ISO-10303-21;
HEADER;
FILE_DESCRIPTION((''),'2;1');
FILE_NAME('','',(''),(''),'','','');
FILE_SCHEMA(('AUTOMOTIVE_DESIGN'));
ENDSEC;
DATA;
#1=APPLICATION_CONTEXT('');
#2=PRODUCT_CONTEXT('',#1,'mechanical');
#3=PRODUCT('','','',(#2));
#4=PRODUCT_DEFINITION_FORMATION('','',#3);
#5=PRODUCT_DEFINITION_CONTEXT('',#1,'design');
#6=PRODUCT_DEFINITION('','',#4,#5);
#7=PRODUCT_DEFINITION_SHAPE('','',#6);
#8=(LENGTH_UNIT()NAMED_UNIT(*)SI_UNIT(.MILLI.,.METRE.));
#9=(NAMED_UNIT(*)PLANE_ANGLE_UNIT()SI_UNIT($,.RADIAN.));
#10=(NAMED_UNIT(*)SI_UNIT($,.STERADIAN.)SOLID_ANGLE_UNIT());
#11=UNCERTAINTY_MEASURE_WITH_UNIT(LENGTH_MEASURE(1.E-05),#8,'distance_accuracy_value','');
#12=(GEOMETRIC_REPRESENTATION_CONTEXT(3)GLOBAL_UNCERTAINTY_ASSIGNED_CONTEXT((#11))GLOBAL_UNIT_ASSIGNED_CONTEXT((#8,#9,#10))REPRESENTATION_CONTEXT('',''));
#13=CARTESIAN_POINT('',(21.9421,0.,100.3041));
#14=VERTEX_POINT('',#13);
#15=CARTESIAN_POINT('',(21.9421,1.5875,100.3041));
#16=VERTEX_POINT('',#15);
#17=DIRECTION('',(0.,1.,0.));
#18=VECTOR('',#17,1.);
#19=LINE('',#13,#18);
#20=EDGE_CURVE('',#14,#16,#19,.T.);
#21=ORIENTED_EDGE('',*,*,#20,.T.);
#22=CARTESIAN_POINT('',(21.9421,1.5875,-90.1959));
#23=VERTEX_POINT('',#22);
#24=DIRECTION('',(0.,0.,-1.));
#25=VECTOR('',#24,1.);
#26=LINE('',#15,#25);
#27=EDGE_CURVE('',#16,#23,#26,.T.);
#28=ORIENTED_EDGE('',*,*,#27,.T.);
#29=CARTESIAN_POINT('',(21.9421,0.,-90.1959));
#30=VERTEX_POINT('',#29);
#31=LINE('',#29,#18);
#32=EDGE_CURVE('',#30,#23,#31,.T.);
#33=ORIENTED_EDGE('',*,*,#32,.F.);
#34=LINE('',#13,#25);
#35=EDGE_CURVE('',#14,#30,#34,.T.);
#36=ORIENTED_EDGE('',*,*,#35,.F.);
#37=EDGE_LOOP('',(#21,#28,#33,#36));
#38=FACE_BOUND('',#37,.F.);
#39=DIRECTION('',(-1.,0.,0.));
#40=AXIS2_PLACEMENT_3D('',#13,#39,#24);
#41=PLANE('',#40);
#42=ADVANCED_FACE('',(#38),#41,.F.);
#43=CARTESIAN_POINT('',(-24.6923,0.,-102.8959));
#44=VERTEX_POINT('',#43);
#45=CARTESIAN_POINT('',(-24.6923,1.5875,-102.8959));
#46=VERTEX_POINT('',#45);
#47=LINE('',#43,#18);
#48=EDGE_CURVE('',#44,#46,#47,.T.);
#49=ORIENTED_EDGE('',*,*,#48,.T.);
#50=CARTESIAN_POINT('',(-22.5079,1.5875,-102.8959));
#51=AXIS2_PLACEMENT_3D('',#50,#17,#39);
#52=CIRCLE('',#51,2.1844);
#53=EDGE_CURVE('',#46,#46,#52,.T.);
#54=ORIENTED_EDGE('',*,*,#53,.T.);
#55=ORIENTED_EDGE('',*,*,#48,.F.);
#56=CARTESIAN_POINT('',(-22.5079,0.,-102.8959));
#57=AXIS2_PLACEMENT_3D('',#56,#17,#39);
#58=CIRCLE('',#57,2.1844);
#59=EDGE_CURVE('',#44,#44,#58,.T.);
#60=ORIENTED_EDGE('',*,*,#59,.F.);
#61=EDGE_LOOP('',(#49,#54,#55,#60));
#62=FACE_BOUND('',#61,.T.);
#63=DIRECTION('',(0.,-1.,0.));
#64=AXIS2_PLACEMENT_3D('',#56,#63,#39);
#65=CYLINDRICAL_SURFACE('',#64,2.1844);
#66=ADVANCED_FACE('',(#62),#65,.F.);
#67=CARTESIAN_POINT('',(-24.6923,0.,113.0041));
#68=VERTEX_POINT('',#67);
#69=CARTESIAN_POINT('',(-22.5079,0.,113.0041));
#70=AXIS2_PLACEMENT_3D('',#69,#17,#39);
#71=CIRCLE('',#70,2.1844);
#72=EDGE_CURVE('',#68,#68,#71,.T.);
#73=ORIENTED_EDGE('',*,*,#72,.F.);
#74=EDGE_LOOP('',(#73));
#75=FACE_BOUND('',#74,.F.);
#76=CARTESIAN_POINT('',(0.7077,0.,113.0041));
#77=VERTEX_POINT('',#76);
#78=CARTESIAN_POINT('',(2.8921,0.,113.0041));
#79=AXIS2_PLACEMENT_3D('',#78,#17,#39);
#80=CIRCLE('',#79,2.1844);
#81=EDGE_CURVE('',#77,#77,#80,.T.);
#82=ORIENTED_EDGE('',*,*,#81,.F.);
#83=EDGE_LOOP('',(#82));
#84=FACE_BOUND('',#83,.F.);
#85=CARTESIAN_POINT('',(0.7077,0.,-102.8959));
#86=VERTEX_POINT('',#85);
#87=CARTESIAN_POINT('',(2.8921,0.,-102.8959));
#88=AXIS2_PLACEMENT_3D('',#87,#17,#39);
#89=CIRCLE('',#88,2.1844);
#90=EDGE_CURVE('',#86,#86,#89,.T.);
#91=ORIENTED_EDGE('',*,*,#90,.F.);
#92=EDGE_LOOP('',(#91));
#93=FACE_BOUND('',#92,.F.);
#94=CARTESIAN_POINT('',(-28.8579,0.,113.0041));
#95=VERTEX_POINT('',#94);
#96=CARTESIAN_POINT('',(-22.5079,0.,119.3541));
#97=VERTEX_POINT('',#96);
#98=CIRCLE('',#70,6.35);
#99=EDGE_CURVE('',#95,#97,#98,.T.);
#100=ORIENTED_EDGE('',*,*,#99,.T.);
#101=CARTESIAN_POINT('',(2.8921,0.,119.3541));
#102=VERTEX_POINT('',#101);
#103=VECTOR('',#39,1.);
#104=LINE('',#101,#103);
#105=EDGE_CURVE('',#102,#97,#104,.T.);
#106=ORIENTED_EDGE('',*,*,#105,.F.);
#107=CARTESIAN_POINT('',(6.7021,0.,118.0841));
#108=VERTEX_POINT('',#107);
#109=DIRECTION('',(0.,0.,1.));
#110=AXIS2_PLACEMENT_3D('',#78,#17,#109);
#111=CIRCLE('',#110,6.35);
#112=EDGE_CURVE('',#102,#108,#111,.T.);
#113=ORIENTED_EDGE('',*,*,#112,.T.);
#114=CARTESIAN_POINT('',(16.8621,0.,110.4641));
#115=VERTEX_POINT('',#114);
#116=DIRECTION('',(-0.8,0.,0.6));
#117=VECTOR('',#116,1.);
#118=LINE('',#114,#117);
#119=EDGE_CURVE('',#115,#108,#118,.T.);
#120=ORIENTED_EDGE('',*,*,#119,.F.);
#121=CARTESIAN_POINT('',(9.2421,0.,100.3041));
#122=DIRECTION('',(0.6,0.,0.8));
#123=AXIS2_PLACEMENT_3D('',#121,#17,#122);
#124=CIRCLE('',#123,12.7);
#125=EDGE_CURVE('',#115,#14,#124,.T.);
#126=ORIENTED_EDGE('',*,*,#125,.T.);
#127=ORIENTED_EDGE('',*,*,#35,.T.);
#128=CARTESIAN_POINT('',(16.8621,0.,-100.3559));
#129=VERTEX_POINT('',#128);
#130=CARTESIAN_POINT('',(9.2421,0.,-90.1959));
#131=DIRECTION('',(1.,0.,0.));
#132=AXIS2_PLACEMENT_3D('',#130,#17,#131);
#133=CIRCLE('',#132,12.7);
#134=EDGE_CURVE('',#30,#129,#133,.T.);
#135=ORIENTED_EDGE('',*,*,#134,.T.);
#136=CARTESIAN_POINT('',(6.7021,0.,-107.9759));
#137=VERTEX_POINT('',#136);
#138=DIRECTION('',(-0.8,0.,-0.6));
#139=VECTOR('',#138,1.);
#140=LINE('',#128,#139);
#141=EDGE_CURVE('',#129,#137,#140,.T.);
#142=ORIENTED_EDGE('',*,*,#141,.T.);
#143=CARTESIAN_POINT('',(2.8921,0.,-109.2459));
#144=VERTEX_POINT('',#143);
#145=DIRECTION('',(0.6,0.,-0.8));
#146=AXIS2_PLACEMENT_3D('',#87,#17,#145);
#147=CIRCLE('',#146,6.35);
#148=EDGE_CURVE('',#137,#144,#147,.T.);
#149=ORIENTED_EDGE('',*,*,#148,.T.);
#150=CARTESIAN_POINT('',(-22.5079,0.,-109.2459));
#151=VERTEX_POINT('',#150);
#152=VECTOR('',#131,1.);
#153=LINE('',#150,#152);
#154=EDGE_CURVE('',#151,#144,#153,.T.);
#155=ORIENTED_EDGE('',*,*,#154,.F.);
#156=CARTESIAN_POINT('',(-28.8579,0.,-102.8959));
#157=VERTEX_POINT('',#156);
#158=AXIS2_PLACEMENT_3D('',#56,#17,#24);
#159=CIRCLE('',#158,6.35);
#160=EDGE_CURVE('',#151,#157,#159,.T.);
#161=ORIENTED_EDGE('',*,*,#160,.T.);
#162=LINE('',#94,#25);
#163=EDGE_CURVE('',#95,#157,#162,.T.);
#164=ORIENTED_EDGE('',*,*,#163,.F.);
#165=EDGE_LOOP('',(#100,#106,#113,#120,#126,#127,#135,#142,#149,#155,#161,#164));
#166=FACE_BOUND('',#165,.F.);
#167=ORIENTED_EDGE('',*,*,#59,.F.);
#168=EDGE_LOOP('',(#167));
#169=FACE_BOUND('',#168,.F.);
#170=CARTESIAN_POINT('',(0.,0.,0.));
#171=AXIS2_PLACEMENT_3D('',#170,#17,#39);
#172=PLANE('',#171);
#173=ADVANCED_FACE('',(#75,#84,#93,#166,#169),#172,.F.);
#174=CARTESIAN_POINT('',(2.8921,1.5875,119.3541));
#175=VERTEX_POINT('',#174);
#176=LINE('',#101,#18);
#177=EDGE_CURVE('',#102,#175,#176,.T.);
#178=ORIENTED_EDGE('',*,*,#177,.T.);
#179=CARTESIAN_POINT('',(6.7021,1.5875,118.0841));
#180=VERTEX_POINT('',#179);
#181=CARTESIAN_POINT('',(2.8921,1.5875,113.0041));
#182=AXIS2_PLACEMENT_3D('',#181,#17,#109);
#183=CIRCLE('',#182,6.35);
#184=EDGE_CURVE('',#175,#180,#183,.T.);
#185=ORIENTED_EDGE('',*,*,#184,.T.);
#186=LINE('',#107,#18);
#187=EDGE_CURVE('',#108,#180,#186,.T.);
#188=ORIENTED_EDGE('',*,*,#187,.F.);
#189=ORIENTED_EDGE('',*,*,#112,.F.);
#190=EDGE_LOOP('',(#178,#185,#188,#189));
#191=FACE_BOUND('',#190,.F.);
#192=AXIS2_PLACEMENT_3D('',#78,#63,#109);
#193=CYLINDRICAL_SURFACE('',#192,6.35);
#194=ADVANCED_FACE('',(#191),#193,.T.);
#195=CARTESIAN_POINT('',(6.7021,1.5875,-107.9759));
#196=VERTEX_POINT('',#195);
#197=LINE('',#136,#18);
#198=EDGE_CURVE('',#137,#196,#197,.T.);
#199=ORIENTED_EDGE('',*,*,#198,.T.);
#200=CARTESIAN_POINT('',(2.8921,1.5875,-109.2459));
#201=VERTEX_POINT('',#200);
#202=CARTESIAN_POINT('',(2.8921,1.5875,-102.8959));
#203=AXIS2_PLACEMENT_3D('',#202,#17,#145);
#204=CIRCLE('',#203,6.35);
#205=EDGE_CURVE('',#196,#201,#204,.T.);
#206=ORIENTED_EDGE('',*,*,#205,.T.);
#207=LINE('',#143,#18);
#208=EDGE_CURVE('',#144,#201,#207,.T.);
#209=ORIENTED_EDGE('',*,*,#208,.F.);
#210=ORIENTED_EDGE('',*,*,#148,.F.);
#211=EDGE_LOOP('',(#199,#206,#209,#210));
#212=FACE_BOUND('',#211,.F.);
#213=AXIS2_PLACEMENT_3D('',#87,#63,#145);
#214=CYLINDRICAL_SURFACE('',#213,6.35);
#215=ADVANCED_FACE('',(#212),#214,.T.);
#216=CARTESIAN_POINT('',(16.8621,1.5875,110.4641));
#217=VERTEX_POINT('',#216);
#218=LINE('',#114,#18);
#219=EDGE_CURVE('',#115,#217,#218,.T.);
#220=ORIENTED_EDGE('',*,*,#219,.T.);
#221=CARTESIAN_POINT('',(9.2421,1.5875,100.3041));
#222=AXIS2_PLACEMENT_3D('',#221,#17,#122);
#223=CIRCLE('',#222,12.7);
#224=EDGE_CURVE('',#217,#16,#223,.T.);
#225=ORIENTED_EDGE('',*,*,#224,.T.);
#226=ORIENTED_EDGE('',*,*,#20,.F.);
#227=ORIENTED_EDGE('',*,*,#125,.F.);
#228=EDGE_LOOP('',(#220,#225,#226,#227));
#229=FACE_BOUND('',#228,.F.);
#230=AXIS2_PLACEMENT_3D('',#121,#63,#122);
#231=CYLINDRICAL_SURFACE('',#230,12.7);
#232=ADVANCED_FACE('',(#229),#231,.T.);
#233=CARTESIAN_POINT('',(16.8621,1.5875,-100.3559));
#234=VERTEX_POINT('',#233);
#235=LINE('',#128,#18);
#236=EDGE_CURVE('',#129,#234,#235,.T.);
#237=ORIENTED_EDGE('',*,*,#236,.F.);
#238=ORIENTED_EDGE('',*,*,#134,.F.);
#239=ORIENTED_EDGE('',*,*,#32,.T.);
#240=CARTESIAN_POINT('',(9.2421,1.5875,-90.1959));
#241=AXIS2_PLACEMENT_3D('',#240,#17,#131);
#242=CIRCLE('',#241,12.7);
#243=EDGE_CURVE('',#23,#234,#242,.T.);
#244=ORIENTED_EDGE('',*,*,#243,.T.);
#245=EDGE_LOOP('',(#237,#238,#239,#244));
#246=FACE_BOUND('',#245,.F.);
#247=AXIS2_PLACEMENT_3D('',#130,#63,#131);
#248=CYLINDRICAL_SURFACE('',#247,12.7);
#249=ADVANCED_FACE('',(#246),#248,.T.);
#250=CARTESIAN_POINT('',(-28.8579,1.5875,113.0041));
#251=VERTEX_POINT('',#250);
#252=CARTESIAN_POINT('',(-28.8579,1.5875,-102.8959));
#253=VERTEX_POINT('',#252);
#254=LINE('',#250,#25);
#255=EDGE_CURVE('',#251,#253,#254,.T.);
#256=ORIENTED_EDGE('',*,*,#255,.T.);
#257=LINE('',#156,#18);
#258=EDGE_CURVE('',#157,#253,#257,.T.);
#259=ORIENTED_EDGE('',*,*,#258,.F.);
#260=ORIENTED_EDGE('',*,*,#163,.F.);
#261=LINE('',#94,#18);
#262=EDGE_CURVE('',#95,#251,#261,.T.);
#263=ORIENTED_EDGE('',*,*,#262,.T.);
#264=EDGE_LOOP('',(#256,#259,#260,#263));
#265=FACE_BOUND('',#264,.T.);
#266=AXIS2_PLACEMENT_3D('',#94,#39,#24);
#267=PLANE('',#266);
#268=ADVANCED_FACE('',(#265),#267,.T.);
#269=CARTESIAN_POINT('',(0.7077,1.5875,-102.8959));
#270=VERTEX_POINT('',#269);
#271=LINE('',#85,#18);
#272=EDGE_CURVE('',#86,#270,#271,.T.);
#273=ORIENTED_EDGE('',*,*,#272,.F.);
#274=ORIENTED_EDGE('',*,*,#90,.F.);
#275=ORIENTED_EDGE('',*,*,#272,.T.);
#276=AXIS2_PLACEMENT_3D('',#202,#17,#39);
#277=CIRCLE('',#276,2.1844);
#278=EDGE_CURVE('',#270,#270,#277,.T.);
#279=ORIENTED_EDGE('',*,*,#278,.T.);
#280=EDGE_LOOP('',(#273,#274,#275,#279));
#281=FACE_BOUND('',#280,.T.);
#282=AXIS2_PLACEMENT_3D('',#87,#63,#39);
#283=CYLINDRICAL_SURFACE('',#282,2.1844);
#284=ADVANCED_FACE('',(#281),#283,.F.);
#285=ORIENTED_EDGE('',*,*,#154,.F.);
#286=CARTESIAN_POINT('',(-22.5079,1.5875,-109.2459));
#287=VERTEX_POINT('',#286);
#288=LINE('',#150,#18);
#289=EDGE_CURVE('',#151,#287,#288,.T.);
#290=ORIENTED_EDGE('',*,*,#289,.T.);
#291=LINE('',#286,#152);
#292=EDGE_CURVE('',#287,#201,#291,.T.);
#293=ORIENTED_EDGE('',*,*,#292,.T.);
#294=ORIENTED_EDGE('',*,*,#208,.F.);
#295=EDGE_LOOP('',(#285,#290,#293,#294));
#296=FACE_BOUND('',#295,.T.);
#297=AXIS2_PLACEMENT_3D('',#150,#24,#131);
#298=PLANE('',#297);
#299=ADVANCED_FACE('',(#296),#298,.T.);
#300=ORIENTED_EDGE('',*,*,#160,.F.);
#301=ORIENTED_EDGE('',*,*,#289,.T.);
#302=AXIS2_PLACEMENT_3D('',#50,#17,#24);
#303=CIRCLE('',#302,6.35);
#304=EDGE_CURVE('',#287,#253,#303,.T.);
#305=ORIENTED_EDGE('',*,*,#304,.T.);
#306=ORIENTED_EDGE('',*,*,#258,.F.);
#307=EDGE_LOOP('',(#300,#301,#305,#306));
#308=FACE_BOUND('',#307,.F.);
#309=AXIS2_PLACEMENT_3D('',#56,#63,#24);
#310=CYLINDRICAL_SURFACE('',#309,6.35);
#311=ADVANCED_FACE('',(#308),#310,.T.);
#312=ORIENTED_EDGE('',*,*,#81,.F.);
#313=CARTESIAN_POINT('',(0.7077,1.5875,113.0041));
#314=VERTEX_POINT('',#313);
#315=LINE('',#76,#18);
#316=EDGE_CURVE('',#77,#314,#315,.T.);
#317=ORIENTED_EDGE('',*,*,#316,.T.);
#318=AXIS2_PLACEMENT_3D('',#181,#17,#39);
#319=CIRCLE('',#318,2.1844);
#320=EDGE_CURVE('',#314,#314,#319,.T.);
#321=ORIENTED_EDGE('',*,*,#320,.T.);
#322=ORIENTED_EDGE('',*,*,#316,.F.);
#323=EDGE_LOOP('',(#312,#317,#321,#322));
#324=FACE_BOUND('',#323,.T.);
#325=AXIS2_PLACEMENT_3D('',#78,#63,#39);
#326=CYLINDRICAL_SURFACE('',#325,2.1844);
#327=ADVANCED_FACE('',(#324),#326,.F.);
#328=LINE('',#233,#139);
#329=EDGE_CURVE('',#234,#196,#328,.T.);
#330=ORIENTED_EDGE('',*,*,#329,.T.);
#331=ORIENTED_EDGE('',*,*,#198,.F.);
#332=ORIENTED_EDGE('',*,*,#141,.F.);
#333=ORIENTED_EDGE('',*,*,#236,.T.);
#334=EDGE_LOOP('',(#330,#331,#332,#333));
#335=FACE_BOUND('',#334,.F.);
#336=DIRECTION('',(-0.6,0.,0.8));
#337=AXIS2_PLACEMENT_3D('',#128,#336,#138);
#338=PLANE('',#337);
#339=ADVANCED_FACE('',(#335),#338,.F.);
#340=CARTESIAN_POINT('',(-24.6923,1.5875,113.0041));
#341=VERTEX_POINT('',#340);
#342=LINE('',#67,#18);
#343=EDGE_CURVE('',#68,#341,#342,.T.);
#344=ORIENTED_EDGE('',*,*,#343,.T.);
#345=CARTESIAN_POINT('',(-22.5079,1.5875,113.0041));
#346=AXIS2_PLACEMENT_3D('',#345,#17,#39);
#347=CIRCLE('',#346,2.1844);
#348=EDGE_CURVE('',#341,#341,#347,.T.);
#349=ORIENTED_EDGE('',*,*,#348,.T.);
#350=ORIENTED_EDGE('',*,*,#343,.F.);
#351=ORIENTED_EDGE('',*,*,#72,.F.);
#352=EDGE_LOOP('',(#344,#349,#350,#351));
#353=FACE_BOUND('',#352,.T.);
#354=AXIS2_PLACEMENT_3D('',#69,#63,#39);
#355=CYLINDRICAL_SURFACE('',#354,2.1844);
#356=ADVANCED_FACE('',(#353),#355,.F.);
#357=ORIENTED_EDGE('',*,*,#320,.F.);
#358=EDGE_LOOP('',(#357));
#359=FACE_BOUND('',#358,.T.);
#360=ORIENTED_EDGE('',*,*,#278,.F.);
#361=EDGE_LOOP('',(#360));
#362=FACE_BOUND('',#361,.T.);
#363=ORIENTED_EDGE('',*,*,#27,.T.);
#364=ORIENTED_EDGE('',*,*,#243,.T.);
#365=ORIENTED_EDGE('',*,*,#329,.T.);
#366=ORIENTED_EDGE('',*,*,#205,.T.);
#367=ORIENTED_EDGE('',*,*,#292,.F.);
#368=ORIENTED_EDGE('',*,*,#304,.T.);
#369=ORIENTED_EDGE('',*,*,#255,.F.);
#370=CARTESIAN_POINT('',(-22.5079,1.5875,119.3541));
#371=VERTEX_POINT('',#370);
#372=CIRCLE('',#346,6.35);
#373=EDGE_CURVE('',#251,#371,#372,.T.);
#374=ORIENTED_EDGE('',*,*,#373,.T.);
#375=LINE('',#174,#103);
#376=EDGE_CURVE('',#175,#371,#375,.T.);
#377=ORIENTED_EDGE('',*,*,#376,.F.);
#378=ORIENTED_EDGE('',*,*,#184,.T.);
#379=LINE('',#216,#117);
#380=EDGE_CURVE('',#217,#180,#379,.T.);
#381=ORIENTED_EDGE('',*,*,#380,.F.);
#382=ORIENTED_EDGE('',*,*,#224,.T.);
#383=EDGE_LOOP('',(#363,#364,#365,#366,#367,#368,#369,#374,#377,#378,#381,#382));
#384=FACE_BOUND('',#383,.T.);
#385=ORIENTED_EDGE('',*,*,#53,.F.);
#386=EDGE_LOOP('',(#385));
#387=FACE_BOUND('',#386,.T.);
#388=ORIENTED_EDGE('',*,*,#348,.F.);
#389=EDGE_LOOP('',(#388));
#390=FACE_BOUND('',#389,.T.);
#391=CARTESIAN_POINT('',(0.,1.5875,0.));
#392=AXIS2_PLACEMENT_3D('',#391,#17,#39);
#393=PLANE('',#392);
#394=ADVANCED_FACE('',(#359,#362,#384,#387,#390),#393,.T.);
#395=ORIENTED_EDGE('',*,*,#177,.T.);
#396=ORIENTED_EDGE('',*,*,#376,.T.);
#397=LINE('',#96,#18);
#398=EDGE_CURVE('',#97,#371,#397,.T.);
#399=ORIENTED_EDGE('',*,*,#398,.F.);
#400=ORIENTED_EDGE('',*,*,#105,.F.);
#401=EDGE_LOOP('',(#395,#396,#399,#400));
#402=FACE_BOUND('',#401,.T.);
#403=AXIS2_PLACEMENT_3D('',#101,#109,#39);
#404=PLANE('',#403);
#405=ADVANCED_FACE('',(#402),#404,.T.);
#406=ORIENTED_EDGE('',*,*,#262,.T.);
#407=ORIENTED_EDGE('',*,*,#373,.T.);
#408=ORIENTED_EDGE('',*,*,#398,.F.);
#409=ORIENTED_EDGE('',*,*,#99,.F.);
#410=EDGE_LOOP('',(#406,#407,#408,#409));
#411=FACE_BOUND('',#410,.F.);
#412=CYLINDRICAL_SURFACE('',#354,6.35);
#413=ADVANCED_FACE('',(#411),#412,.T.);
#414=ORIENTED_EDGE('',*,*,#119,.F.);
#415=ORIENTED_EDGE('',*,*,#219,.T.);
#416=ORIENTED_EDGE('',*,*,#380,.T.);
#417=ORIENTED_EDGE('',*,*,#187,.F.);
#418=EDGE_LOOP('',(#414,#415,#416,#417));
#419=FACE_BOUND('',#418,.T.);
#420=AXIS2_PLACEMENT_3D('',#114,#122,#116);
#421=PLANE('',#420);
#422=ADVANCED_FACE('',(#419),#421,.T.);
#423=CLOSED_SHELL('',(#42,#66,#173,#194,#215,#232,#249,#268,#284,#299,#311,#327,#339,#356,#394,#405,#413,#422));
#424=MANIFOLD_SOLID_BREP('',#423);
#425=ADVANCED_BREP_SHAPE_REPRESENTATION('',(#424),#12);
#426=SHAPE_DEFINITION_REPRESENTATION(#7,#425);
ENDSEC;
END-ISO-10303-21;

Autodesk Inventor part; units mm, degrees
ref_plane "YZ Plane" through (0, 0, 0) normal (1, 0, 0) x (0, 1, 0)
ref_plane "XZ Plane" through (0, 0, 0) normal (0, 1, 0) x (-1, 0, 0)
ref_plane "XY Plane" through (0, 0, 0) normal (0, 0, 1) x (1, 0, 0)
sketch "Sketch1" plane through (0, 0, 0) normal (0, 1, 0) x (-1, 0, 0)
  circle A0 centre (-2.8921, -102.8959) radius 2.1844
  circle A1 centre (22.5079, -102.8959) radius 2.1844
  circle A2 centre (-2.8921, 113.0041) radius 2.1844
  circle A3 centre (22.5079, 113.0041) radius 2.1844
  arc A4 (28.8579, 113.0041) -> (22.5079, 119.3541) centre (22.5079, 113.0041) ccw
  arc A5 (-2.8921, 119.3541) -> (-6.7021, 118.0841) centre (-2.8921, 113.0041) ccw
  arc A6 (-6.7021, -107.9759) -> (-2.8921, -109.2459) centre (-2.8921, -102.8959) ccw
  arc A7 (22.5079, -109.2459) -> (28.8579, -102.8959) centre (22.5079, -102.8959) ccw
  line L0 (-2.8921, 119.3541) -> (22.5079, 119.3541)
  line L1 (28.8579, 113.0041) -> (28.8579, -102.8959)
  line L2 (22.5079, -109.2459) -> (-2.8921, -109.2459)
  line L3 (-16.8621, 110.4641) -> (-6.7021, 118.0841)
  line L4 (-16.8621, -100.3559) -> (-6.7021, -107.9759)
  line L5 (-21.9421, 100.3041) -> (-21.9421, -90.1959)
  arc A8 (-16.8621, 110.4641) -> (-21.9421, 100.3041) centre (-9.2421, 100.3041) ccw
  arc A9 (-21.9421, -90.1959) -> (-16.8621, -100.3559) centre (-9.2421, -90.1959) ccw
  line L6 (-2.8921, 119.3541) -> (22.5079, 119.3541)
  line L7 (22.5079, -109.2459) -> (-2.8921, -109.2459)
  line L8 (28.8579, 113.0041) -> (28.8579, -102.8959)
  point P0 (0, 0)
  dimension "d0" = 12.7
  dimension "d1" = 12.7
  dimension "d2" = 12.7
  dimension "d3" = 12.7
extrude "Extrusion1" add sketch "Sketch1" along normal blind 1.5875
properties part number "Wedge" material "Acetal Resin, White"
